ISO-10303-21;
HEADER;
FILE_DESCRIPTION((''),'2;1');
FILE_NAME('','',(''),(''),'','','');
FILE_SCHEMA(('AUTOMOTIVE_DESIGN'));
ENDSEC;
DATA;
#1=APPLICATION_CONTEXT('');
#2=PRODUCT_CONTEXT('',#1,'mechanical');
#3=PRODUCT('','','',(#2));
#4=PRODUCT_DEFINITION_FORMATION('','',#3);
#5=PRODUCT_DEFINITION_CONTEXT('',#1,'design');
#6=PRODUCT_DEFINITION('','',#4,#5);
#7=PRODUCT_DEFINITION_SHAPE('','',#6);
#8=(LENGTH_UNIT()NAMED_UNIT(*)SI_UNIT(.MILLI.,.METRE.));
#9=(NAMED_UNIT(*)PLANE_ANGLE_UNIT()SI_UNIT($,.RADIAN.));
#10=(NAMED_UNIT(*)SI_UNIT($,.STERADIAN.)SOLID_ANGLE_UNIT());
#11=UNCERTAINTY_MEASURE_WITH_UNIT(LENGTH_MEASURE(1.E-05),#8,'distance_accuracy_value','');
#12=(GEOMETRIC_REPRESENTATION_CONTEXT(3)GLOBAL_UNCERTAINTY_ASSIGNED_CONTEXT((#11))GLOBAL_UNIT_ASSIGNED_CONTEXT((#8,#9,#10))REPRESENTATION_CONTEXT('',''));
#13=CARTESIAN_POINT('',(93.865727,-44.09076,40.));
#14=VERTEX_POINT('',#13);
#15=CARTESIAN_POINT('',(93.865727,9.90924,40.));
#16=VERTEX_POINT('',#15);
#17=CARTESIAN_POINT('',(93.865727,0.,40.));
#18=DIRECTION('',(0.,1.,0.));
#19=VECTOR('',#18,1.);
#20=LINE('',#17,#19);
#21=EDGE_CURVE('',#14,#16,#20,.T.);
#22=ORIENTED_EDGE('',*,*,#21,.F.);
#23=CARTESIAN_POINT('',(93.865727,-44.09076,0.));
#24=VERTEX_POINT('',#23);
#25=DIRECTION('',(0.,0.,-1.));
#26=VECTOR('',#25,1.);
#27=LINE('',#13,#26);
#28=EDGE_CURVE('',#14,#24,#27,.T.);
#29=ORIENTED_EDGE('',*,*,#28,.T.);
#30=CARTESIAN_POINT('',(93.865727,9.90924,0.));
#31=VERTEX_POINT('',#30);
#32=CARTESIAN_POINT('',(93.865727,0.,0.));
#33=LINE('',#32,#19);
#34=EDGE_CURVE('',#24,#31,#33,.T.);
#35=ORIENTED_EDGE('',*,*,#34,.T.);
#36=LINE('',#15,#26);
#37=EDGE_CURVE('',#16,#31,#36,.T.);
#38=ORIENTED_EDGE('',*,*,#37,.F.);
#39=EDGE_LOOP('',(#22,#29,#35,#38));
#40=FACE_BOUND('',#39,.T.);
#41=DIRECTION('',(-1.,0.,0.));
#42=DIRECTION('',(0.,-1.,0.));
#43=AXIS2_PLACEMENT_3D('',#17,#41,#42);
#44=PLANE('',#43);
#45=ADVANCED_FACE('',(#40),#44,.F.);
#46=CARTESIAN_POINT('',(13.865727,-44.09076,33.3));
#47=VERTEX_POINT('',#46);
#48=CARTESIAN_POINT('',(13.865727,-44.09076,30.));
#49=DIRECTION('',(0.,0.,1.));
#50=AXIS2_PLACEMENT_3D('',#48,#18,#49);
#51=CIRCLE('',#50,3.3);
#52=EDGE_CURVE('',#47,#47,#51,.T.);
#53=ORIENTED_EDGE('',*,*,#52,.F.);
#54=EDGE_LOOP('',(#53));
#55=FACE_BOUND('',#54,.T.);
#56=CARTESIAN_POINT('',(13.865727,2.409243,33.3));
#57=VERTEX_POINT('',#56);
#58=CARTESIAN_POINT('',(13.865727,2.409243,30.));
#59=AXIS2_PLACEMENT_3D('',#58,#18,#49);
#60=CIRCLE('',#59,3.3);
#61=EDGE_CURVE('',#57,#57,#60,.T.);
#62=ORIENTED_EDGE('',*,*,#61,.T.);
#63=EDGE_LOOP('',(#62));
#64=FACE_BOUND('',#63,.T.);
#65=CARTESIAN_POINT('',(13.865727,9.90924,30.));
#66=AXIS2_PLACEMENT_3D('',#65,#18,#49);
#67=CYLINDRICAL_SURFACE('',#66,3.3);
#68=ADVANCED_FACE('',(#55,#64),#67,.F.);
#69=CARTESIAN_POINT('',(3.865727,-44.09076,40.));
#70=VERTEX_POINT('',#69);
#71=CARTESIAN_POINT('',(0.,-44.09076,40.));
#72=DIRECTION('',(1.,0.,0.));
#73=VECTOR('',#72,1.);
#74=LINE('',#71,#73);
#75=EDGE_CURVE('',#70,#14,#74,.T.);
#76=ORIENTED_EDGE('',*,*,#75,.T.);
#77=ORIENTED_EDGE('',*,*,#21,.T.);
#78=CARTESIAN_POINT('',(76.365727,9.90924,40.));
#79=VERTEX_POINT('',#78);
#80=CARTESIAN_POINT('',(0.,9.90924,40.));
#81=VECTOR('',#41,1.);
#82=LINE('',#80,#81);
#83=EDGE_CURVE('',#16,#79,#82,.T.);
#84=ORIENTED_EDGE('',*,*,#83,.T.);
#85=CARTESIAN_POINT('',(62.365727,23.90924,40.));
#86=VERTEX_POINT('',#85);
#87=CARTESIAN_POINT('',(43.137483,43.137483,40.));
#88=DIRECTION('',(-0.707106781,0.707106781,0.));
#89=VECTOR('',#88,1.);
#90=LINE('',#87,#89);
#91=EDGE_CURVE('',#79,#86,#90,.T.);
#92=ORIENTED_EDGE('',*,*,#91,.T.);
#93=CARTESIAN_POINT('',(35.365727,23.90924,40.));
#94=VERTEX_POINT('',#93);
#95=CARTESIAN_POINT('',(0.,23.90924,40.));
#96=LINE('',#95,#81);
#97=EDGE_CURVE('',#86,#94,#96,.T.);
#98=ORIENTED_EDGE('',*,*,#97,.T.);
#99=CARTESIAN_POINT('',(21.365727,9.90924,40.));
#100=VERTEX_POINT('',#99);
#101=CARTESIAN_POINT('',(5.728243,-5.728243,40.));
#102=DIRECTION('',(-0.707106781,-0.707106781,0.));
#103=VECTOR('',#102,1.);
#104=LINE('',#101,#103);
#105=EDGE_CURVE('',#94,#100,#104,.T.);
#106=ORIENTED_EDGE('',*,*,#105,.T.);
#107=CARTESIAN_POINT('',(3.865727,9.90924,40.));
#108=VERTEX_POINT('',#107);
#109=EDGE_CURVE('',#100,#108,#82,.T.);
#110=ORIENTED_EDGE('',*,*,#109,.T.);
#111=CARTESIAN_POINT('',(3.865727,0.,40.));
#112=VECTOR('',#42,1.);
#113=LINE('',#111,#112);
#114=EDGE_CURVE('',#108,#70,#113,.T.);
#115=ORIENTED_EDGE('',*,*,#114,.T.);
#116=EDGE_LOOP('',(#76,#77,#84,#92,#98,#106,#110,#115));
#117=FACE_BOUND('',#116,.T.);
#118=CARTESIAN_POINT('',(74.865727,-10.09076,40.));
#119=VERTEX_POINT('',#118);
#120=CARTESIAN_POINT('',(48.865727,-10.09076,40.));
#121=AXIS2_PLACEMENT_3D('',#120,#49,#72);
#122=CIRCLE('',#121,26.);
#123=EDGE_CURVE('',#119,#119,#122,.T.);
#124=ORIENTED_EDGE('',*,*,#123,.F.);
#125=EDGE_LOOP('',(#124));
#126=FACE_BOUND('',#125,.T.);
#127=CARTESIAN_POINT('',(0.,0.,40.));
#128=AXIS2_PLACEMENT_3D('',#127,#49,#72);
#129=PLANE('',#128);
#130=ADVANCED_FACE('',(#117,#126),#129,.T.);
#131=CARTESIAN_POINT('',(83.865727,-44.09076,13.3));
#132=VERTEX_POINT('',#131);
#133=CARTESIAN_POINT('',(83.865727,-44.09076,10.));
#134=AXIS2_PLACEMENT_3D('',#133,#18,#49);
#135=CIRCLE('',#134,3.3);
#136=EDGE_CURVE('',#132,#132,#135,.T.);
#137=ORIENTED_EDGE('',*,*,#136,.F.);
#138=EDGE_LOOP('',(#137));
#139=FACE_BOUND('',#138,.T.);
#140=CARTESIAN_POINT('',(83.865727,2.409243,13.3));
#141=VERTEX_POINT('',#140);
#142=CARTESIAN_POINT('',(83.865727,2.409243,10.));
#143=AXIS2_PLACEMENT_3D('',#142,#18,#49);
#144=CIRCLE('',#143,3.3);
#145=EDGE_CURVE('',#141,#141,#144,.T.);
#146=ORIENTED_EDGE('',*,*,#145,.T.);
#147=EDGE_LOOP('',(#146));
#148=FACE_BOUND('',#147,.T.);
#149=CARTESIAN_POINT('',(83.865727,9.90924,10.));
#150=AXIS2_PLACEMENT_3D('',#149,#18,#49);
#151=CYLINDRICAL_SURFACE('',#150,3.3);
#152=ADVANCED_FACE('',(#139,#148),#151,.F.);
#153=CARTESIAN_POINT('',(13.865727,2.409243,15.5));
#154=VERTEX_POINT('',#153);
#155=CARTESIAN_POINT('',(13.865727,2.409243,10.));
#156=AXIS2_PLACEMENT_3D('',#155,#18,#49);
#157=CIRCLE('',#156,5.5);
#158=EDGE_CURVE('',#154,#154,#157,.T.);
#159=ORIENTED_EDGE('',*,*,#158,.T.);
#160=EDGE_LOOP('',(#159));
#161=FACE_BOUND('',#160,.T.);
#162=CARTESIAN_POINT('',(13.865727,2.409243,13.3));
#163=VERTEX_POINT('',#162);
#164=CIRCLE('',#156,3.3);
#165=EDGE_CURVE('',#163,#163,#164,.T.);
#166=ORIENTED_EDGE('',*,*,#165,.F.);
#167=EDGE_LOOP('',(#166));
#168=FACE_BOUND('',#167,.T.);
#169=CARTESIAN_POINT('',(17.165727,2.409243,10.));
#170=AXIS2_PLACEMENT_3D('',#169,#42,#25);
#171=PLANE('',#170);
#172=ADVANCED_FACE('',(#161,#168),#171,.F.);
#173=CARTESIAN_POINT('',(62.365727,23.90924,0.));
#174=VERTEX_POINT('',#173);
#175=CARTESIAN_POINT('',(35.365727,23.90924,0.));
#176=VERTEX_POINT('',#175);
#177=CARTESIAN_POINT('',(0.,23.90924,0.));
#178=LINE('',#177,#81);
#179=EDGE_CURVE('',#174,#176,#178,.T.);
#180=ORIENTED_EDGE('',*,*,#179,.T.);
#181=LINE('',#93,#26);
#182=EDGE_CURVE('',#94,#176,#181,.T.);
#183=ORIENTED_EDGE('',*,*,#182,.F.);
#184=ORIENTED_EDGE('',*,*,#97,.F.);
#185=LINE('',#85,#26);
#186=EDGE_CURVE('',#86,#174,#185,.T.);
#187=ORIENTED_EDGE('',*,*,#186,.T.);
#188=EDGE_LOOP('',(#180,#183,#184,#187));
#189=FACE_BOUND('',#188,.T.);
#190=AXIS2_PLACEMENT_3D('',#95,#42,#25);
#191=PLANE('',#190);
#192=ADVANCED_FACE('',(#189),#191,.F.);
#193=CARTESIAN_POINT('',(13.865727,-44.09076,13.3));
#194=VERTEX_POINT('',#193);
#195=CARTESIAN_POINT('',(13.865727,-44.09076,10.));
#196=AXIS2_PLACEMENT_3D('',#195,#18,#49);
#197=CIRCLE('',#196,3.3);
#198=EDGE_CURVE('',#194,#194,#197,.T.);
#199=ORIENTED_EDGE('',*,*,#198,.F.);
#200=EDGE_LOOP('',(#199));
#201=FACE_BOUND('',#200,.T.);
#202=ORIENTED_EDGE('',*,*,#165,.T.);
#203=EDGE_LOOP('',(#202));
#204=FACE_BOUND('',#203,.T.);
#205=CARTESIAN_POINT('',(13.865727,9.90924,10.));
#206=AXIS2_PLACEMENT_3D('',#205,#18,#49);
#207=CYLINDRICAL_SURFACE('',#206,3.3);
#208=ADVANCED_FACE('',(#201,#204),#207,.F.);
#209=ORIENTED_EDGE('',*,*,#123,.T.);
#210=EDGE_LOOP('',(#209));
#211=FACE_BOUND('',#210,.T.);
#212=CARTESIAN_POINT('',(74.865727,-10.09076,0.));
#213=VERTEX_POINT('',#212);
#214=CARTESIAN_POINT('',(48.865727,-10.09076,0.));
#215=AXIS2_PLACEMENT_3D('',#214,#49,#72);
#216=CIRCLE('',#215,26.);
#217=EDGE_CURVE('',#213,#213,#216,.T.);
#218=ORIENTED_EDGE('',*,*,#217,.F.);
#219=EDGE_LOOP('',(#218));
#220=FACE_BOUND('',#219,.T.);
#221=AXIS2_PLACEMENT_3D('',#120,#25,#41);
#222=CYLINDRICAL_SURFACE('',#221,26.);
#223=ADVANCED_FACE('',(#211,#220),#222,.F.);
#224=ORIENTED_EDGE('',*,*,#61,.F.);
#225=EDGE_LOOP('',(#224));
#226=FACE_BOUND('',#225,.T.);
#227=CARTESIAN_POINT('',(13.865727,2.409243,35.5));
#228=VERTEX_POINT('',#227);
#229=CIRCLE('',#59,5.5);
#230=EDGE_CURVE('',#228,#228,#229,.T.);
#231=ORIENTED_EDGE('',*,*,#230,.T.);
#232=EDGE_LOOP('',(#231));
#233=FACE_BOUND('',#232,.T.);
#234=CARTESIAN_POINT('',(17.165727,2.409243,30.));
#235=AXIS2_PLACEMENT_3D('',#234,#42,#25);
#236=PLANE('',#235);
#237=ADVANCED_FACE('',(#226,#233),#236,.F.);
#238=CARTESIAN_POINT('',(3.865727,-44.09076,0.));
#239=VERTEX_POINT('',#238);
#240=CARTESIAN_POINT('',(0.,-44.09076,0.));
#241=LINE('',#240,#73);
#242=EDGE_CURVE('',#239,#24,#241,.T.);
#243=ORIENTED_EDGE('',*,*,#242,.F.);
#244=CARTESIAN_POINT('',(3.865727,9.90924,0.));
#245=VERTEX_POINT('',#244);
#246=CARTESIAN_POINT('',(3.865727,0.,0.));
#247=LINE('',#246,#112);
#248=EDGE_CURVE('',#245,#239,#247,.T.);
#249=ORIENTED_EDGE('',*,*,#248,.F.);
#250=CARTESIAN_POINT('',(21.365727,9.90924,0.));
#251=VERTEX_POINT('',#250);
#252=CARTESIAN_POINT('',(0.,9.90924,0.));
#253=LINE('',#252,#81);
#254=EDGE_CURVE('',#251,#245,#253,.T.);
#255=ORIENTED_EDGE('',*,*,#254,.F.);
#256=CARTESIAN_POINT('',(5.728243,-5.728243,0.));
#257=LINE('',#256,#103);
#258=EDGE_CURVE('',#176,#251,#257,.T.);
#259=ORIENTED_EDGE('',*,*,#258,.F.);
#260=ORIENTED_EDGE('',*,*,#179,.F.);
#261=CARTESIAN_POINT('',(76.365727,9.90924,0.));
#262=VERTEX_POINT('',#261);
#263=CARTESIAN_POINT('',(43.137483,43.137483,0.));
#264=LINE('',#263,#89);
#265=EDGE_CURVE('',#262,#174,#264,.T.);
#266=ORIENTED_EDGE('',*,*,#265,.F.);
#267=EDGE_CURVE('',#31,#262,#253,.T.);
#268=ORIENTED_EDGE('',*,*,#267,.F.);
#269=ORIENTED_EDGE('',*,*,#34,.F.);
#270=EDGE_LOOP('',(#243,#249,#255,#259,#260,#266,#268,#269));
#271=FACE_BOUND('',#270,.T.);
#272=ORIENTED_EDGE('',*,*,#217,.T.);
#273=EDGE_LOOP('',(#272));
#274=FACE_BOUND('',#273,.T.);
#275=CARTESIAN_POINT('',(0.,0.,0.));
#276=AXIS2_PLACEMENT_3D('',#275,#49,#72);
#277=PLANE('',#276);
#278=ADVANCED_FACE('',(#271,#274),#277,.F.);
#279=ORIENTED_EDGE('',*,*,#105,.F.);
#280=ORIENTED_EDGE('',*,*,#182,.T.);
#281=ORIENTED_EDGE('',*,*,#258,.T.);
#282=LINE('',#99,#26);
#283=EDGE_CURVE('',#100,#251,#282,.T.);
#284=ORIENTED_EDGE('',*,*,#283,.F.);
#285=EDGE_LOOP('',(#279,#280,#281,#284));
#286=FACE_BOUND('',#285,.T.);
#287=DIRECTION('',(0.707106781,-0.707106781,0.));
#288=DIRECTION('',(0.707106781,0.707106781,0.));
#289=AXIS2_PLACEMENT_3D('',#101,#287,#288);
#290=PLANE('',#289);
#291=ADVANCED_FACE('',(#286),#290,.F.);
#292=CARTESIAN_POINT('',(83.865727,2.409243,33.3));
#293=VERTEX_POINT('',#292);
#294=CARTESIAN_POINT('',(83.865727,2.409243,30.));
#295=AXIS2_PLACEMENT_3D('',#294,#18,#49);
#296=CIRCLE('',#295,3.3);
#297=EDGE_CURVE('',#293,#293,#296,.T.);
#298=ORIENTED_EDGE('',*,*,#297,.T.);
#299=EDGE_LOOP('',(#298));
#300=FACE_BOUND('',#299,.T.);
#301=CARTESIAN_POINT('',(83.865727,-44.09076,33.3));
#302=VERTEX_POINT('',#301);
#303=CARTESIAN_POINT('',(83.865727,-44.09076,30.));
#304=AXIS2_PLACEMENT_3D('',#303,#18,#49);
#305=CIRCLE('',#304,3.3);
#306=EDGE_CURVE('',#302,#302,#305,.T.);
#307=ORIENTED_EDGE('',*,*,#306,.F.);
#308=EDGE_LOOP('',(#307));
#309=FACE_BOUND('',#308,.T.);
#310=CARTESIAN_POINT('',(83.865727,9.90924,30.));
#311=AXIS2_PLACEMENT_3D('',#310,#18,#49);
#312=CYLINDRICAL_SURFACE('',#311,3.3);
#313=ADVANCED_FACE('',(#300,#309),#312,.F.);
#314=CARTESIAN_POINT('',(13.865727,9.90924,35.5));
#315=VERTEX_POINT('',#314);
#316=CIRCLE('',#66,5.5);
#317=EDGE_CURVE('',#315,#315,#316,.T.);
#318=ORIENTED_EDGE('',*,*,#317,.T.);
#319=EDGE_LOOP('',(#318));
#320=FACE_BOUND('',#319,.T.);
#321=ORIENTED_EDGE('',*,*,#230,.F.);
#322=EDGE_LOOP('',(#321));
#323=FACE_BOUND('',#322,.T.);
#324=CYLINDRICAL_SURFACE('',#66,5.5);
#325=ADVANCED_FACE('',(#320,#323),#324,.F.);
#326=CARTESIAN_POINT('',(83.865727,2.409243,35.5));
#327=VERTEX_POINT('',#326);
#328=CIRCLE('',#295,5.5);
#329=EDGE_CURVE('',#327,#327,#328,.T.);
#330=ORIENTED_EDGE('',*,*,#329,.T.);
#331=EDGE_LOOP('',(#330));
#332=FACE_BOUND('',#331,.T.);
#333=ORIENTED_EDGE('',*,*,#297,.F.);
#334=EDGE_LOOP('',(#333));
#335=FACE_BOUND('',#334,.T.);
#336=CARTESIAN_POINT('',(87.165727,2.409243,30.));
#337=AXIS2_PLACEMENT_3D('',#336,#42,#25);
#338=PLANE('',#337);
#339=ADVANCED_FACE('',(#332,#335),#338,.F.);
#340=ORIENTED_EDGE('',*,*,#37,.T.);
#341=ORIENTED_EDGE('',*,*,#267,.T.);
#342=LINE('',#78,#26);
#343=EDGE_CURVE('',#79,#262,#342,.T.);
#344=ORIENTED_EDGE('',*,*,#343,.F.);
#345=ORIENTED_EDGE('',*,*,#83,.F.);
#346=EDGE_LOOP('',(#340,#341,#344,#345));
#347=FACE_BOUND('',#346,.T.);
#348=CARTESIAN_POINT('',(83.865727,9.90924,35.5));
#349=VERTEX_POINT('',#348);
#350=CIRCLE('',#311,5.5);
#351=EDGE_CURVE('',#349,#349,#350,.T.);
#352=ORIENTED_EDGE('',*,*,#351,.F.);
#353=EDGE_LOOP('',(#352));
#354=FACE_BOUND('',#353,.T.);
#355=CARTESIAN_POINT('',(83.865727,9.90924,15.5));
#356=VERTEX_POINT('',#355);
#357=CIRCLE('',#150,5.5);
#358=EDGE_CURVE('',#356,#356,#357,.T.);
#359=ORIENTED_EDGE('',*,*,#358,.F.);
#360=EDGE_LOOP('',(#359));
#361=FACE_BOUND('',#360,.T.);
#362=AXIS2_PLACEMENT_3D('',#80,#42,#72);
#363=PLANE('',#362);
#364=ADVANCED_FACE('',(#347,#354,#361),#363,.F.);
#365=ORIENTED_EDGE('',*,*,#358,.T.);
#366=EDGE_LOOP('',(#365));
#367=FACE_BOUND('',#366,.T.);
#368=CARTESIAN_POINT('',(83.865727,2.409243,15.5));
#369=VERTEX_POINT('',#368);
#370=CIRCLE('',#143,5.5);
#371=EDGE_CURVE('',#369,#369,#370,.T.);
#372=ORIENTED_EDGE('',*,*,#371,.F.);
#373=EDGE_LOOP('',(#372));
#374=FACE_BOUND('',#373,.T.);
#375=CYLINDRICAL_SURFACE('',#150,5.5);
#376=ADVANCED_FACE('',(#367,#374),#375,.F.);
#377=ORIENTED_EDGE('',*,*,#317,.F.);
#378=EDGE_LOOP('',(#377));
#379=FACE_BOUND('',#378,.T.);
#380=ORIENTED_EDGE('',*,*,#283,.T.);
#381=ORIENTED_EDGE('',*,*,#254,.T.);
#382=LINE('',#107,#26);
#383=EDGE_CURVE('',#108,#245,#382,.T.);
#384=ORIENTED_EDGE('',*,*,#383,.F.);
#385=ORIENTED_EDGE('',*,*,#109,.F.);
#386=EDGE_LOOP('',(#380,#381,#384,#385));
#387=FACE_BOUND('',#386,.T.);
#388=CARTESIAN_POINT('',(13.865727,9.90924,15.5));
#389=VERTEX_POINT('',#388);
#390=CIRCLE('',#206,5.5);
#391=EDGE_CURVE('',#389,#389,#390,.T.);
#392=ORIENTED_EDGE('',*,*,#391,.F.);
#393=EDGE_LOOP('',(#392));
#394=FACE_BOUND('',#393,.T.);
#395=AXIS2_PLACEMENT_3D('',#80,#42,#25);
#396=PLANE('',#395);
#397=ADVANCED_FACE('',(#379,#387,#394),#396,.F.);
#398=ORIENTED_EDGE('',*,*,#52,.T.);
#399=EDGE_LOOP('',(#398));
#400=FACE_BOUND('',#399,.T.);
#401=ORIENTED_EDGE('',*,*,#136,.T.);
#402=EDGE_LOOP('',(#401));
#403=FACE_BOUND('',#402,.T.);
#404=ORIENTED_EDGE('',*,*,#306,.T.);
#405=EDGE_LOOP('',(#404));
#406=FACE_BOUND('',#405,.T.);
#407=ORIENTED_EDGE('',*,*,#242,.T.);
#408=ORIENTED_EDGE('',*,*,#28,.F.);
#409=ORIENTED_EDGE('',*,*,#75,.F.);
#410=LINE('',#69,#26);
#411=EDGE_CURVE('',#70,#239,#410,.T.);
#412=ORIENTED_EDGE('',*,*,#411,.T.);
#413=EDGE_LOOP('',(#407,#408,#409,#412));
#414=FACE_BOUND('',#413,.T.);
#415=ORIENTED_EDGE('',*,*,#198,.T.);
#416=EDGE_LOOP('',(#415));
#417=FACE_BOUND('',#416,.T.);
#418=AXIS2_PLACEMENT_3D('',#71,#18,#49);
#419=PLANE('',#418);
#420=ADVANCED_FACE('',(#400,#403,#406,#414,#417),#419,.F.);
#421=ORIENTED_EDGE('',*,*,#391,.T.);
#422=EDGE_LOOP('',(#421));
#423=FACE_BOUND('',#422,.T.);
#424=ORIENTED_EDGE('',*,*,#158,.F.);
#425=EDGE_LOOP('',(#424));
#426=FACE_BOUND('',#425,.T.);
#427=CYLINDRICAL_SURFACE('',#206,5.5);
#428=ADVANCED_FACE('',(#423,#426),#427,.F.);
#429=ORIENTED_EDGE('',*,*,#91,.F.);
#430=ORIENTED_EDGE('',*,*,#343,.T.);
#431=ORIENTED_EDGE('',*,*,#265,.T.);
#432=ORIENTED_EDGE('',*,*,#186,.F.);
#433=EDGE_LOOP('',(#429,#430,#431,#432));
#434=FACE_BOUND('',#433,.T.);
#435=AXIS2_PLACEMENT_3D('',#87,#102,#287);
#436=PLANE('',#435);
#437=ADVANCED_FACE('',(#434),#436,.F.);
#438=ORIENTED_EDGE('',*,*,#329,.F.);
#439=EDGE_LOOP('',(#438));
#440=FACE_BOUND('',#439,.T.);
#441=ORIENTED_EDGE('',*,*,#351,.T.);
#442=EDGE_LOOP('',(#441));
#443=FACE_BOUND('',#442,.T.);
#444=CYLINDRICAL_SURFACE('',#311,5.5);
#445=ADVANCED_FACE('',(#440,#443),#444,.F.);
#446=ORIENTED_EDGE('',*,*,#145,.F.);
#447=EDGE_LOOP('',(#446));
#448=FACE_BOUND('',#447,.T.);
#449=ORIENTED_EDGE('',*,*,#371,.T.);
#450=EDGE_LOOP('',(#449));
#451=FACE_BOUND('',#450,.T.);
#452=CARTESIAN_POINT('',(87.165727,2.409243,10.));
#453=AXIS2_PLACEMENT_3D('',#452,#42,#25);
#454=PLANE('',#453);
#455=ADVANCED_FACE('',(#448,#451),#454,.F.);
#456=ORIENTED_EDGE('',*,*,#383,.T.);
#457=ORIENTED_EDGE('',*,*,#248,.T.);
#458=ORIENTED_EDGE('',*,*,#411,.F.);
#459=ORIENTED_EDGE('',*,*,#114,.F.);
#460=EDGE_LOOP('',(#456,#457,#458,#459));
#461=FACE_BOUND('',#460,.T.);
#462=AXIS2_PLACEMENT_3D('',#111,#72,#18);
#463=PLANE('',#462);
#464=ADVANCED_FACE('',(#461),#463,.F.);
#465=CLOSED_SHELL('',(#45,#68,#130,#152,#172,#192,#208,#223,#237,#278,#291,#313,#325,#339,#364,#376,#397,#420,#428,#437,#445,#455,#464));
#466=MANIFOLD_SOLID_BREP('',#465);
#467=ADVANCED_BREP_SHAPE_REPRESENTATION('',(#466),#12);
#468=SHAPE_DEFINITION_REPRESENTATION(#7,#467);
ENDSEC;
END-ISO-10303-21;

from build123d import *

# Parameters (mm, degrees)
SKETCH1_R         = 26
EXTRUSION1_DEPTH  = 40
HOLE1_D           = 6.6
HOLE1_CBORE_D     = 11
HOLE1_CBORE_DEPTH = 7.499997


with BuildPart() as part:
    # Sketch1 → Extrusion1 (new body)
    with BuildSketch(Plane.XY):
        Polygon((21.365726522, 9.909240265), (3.865726522, 9.909240265), (3.865726522, -44.090759735), (93.865726522, -44.090759735), (93.865726522, 9.909240265), (76.365726522, 9.909240265), (62.365726522, 23.909240265), (35.365726522, 23.909240265), align=None)
        with Locations((48.865726522, -10.090759735)):
            Circle(SKETCH1_R, mode=Mode.SUBTRACT)
    extrude(amount=EXTRUSION1_DEPTH)

    # Hole1 (through all)
    with Locations(Plane(origin=(0, 9.909240265, 0), x_dir=(1, 0, 0), z_dir=(0, 1, 0))):
        with Locations((13.865726522, -10), (13.865726522, -30), (83.865726522, -10), (83.865726522, -30)):
            CounterBoreHole(HOLE1_D / 2, HOLE1_CBORE_D / 2, HOLE1_CBORE_DEPTH)


solid = part.part
